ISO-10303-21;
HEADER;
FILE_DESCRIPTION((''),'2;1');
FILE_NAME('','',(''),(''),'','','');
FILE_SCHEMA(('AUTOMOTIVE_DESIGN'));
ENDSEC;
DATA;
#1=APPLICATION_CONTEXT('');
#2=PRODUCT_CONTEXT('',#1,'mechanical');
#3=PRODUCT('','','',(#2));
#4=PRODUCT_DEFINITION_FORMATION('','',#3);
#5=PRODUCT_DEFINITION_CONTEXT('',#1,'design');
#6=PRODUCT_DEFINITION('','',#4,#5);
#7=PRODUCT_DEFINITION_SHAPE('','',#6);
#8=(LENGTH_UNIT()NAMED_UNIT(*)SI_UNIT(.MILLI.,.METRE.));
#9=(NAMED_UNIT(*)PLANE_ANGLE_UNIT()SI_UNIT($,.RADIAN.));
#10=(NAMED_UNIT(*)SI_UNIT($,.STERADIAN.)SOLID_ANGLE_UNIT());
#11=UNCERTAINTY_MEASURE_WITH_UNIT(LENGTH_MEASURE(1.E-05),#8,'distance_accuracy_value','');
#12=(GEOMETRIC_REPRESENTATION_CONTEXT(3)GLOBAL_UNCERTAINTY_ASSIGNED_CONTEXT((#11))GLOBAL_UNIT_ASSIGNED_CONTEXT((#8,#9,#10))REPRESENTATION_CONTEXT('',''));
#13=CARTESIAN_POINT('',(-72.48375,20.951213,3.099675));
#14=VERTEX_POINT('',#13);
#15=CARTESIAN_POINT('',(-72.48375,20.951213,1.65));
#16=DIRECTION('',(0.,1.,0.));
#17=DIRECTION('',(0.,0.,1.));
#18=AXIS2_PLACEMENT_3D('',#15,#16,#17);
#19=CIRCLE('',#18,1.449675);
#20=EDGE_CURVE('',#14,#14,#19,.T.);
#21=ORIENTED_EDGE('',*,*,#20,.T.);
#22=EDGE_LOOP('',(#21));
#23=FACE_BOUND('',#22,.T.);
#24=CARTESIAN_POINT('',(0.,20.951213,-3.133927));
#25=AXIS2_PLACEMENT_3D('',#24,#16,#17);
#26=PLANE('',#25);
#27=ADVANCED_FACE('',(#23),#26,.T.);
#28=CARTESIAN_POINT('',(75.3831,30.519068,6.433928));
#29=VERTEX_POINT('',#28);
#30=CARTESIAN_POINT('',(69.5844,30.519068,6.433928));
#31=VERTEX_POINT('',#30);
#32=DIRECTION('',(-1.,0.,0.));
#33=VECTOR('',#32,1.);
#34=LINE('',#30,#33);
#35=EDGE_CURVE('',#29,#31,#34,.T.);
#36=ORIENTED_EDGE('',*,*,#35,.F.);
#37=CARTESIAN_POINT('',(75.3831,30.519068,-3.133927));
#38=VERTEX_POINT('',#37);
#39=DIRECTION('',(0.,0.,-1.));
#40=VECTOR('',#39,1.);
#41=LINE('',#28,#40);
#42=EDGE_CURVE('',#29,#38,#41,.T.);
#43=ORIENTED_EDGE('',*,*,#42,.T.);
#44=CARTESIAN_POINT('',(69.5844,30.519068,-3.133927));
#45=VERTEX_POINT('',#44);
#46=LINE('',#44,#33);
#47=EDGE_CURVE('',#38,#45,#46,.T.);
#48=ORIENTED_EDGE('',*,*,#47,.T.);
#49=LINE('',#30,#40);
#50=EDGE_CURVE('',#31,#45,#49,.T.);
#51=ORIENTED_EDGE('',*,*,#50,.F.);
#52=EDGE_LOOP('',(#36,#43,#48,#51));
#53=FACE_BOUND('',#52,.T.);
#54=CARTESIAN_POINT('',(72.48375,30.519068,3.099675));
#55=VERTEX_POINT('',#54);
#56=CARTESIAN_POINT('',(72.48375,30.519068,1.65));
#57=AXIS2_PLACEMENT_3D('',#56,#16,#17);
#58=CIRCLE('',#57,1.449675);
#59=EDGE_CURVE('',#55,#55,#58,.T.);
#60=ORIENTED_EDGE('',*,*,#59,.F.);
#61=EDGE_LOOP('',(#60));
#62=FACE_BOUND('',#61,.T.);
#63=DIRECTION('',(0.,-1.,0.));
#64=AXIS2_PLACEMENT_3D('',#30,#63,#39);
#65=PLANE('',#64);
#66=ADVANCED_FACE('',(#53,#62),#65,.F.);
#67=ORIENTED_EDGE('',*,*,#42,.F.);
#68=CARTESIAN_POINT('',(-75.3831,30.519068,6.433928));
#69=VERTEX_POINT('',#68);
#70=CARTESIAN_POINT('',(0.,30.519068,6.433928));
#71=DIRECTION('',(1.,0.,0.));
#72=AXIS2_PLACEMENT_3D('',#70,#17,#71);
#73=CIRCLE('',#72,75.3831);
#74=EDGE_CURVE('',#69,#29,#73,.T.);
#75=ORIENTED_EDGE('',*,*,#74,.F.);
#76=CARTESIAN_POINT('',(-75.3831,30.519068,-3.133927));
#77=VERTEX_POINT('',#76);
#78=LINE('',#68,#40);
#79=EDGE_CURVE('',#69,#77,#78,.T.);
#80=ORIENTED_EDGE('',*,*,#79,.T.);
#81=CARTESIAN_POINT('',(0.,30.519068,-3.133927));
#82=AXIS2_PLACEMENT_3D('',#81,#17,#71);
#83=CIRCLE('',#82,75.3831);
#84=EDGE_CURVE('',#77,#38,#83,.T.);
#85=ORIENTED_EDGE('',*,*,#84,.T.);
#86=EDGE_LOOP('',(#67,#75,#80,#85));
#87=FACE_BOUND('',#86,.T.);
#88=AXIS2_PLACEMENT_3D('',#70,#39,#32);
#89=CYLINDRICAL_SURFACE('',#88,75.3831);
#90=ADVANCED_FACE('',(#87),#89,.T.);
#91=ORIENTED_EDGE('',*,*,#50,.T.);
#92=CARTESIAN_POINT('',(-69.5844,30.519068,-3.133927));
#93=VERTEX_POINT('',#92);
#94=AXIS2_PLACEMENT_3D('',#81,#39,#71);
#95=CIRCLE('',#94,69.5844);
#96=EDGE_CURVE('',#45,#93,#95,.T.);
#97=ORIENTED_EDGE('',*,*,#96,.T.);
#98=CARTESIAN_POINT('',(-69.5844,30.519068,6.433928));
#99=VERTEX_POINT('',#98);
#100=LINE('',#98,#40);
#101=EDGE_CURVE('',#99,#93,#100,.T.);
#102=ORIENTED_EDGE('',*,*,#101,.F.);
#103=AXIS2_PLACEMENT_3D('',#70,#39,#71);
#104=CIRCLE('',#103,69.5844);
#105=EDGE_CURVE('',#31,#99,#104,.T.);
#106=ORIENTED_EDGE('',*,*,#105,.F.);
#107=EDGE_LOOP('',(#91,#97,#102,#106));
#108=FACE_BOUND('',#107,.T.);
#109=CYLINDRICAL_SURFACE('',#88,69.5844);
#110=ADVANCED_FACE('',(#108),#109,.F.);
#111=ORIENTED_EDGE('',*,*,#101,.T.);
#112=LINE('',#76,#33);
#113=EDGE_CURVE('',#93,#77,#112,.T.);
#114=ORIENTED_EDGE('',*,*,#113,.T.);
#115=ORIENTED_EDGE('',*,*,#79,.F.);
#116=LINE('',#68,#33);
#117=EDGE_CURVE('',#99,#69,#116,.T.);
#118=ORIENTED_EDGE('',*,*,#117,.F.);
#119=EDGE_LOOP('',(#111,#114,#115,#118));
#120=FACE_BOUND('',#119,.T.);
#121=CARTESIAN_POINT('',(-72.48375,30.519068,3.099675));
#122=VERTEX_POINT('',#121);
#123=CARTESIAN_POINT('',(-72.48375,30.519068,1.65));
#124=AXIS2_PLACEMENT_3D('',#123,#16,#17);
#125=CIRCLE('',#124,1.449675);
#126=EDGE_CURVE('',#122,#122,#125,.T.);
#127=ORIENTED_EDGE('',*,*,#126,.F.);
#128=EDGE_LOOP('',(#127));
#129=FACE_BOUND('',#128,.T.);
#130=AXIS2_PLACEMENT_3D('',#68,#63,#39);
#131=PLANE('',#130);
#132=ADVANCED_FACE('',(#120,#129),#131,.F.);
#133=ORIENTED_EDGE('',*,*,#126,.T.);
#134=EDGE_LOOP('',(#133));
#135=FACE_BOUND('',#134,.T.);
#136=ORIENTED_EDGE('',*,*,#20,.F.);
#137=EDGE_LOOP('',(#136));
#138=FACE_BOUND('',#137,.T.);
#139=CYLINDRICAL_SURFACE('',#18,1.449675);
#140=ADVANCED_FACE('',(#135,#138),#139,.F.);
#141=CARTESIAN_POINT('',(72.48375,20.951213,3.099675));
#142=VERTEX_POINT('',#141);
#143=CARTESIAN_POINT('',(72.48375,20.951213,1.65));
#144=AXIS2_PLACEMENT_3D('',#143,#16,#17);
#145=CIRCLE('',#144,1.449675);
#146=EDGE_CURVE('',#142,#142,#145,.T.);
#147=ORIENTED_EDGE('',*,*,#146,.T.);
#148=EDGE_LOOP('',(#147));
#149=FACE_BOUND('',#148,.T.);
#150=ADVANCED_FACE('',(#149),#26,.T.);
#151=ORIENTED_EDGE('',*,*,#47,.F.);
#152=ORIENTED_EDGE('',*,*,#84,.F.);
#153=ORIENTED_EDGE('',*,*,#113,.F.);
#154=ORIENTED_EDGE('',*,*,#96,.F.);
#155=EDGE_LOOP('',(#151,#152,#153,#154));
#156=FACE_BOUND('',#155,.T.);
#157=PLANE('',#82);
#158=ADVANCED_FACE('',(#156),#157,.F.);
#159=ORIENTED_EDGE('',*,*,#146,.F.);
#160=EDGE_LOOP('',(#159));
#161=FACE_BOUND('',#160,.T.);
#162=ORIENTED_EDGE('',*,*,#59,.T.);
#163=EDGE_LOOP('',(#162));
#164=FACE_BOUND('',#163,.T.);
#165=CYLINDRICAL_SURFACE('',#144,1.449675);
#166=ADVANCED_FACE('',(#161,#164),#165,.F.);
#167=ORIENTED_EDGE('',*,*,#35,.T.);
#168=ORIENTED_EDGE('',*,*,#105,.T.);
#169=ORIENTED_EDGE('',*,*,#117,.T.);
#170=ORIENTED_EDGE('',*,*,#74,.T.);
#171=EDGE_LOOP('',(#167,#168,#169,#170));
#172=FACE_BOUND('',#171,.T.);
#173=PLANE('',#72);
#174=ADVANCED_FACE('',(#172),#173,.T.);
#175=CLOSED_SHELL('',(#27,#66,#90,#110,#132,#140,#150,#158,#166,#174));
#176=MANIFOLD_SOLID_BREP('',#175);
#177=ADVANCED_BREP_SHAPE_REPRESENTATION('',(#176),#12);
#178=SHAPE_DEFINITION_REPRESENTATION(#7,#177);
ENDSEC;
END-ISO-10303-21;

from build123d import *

# Parameters (mm, degrees)
BOSS_EXTRUDE1_DEPTH = 3.3
CUT_EXTRUDE1_DEPTH  = 3.3
SCALE1_SCALE        = 1.9329
SCALE2_SCALE        = 1.5


with BuildPart() as part:
    # Sketch1 → Boss-Extrude1 (new body)
    with BuildSketch(Plane.XY):
        with BuildLine():
            Line((-26, 0), (-24, 0))
            ThreePointArc((-24, 0), (0, -24), (24, 0))
            Line((24, 0), (26, 0))
            ThreePointArc((26, 0), (0, -26), (-26, 0))
        make_face()
    extrude(amount=BOSS_EXTRUDE1_DEPTH)

    # Sketch2 → Cut-Extrude1 (cut)
    with BuildSketch(Plane(origin=(0, 0, 0), x_dir=(1, 0, 0), z_dir=(0, 1, 0))):
        with BuildLine():
            ThreePointArc((24.5, -1.65), (25, -2.15), (25.5, -1.65))
            Line((25.5, -1.65), (24.5, -1.65))
        make_face()
        with BuildLine():
            Line((24.5, -1.65), (25.5, -1.65))
            ThreePointArc((25.5, -1.65), (25, -1.15), (24.5, -1.65))
        make_face()
        with BuildLine():
            ThreePointArc((-25.5, -1.65), (-25, -2.15), (-24.5, -1.65))
            Line((-24.5, -1.65), (-25.5, -1.65))
        make_face()
        with BuildLine():
            Line((-25.5, -1.65), (-24.5, -1.65))
            ThreePointArc((-24.5, -1.65), (-25, -1.15), (-25.5, -1.65))
        make_face()
    extrude(amount=-CUT_EXTRUDE1_DEPTH, mode=Mode.SUBTRACT)


with BuildPart() as part_1:
    # Scale1: scaled about (0, -16.068164215, 1.65)
    add(part.part.scale(SCALE1_SCALE).moved(Location((0, 14.989990396, -1.539285))))


with BuildPart() as part_2:
    # Scale2: scaled about (0, -16.068164215, 1.65)
    add(part_1.part.scale(SCALE2_SCALE).moved(Location((0, 8.034082107, -0.825))))


solid = part_2.part
